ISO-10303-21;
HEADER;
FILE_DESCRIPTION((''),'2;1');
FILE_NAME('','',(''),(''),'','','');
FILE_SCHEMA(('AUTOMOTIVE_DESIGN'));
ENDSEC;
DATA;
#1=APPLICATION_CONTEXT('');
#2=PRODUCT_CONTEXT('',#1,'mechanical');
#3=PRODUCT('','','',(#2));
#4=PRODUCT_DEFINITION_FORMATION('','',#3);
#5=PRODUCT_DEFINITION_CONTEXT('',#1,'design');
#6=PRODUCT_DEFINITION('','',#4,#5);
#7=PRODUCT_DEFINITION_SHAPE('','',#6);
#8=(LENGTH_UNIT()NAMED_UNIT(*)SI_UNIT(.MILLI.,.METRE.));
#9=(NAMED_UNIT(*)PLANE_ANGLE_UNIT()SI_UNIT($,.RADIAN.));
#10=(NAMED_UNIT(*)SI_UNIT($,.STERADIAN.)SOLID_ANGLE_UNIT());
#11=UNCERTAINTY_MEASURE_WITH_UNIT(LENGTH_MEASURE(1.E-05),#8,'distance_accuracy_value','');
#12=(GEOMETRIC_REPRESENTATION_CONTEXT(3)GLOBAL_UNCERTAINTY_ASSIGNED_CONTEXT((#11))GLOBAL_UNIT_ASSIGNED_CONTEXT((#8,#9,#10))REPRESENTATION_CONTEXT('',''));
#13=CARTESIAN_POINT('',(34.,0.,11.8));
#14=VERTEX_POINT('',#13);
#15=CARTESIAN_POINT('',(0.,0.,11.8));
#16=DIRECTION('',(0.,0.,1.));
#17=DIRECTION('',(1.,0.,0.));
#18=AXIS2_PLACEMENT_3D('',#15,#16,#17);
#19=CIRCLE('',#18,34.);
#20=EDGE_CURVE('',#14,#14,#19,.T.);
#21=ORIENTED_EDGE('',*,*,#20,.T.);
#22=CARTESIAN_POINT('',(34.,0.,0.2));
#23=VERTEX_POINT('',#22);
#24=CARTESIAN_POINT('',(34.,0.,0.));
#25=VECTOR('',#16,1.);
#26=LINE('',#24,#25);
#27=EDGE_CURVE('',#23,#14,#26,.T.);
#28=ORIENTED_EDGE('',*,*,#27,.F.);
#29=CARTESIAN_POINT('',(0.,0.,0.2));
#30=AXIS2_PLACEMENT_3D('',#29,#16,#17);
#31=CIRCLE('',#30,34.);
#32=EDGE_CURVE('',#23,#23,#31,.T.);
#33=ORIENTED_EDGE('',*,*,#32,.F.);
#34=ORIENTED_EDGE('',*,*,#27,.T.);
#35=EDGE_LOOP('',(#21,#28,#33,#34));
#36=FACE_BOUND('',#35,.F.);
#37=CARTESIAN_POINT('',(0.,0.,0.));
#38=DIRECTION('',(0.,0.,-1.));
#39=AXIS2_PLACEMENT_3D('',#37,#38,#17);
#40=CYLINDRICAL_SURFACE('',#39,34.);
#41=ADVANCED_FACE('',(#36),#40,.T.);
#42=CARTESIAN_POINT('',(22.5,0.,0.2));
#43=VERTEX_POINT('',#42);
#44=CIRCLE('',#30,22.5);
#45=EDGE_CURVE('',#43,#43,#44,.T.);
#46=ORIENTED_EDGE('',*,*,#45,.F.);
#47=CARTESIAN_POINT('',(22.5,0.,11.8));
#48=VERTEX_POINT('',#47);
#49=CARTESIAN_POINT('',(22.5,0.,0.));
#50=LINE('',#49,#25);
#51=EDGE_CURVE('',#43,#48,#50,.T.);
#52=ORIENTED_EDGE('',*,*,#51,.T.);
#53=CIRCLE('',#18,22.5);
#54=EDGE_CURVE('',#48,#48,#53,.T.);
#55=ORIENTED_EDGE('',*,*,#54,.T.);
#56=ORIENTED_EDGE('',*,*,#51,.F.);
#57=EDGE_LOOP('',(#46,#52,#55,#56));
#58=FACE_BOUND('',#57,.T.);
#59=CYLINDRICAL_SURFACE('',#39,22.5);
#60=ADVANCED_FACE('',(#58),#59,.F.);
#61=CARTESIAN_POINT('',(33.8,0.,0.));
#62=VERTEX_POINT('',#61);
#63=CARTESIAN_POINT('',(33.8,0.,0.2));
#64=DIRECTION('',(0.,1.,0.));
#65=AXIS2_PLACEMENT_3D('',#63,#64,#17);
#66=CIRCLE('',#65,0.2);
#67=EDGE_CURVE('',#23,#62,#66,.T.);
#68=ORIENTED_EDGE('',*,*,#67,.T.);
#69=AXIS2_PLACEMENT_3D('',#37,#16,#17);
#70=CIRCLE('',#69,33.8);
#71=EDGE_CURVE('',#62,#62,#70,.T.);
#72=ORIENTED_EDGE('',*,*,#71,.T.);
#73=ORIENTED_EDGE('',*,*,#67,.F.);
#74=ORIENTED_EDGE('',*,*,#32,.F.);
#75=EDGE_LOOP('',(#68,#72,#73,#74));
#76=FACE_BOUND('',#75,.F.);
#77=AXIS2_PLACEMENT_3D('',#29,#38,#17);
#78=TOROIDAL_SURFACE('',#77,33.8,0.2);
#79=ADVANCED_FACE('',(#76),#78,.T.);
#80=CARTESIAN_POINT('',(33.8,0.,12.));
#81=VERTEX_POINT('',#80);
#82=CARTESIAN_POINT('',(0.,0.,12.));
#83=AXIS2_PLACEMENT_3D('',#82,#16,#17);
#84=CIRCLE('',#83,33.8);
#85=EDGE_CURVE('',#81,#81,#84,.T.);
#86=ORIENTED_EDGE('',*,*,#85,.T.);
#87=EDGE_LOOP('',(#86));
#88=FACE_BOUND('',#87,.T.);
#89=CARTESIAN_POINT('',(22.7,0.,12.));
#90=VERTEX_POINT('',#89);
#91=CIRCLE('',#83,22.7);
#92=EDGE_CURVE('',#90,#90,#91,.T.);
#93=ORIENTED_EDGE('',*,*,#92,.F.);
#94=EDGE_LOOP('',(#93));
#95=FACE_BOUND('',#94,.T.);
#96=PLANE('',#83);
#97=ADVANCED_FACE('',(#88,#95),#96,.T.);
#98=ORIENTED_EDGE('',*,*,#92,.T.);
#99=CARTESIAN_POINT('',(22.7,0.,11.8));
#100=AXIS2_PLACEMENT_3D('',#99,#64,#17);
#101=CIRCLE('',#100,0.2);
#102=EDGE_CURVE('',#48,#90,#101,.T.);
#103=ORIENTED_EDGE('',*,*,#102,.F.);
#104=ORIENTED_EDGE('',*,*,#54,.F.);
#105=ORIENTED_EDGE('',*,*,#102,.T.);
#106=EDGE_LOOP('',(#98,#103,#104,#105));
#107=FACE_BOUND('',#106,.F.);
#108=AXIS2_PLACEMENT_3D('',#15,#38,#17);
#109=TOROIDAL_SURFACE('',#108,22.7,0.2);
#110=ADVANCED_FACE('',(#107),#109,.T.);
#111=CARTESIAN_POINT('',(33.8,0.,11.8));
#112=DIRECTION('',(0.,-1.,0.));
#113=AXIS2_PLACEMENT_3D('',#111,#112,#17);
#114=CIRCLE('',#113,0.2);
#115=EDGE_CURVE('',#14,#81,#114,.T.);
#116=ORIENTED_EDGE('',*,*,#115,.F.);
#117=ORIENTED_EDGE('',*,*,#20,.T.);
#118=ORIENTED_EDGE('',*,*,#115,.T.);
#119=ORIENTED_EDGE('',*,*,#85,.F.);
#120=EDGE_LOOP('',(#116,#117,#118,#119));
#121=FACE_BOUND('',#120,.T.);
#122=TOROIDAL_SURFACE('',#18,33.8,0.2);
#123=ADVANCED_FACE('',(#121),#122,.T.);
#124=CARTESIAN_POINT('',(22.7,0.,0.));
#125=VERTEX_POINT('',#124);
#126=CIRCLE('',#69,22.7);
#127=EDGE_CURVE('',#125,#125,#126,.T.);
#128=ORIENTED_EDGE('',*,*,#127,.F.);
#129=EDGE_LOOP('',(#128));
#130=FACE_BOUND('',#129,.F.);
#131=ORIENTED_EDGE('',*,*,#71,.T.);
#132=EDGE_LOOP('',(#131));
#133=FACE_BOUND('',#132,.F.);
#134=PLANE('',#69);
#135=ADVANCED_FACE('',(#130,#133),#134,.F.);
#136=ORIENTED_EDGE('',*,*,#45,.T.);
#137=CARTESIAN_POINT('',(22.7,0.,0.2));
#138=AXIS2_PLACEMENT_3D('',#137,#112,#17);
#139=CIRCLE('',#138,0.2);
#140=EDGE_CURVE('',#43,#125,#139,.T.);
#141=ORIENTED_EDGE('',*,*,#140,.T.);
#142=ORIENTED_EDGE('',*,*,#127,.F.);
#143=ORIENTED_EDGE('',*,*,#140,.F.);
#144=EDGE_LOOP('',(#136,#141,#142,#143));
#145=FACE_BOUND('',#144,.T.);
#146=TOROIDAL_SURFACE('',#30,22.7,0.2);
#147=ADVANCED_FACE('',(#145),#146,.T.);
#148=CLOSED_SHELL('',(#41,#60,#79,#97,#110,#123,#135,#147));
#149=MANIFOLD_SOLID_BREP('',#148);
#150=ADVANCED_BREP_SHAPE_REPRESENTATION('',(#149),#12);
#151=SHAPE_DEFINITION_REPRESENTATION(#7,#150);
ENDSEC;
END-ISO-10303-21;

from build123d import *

# Parameters (mm, degrees)
SKETCH_1_R      = 34
SKETCH_1_R_2    = 22.5
EXTRUDE_1_DEPTH = 12
FILLET_1_R      = 0.2


with BuildPart() as part:
    # 스케치1 → 보스-돌출1 (new body)
    with BuildSketch(Plane.XY):
        Circle(SKETCH_1_R)
        Circle(SKETCH_1_R_2, mode=Mode.SUBTRACT)
    extrude(amount=EXTRUDE_1_DEPTH)

    # 필렛1
    fillet_1_edges = [part.edges().sort_by_distance(p)[0] for p in [
        (-34, 0, 0),
        (-34, 0, 12),
        (-22.5, 0, 0),
        (-22.5, 0, 12),
    ]]
    fillet(fillet_1_edges, radius=FILLET_1_R)


solid = part.part
